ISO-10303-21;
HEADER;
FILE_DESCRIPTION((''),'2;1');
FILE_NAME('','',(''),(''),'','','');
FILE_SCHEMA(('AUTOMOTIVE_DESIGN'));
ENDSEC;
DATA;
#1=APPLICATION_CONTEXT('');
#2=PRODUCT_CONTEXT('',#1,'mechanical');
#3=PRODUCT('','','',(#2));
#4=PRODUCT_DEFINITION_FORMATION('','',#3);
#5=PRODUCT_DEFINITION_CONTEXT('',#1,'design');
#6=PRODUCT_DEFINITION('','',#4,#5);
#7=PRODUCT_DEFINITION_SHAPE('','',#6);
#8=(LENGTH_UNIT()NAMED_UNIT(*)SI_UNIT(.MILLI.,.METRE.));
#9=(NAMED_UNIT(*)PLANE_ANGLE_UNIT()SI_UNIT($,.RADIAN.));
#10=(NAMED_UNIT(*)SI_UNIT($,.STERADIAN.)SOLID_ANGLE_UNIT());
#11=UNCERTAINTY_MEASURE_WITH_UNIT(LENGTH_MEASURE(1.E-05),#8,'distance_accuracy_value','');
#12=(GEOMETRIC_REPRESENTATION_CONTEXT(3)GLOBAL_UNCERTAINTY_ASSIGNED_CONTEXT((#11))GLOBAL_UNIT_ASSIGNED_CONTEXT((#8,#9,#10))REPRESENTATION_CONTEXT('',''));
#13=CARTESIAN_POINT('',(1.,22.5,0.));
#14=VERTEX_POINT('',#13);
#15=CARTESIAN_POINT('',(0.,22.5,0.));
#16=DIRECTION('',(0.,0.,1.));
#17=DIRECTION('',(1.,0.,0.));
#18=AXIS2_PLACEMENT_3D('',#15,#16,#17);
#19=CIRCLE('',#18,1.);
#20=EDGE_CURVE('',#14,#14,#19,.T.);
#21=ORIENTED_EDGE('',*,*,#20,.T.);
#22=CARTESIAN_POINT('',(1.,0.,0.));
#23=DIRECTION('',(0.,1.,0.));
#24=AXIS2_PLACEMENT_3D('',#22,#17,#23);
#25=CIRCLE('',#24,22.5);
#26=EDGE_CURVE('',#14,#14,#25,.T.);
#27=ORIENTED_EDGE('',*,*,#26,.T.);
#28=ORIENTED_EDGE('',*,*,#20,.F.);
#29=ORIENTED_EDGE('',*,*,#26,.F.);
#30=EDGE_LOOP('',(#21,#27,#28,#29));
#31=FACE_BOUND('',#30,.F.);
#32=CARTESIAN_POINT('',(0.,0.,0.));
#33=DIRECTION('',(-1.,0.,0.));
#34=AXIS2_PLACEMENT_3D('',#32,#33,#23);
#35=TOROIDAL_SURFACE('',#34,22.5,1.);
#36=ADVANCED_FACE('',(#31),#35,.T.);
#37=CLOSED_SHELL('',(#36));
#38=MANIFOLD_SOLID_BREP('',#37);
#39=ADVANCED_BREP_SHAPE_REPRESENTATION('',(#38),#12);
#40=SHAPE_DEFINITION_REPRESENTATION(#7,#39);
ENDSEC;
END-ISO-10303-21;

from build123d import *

# Parameters (mm, degrees)
SKETCH_R = 1


with BuildPart() as part:
    # Sketch → Revolution (revolve)
    with BuildSketch(Plane.XY):
        with Locations((0, 22.5)):
            Circle(SKETCH_R)
    revolve(axis=Axis((0, 0, 0), (1, 0, 0)))


solid = part.part
